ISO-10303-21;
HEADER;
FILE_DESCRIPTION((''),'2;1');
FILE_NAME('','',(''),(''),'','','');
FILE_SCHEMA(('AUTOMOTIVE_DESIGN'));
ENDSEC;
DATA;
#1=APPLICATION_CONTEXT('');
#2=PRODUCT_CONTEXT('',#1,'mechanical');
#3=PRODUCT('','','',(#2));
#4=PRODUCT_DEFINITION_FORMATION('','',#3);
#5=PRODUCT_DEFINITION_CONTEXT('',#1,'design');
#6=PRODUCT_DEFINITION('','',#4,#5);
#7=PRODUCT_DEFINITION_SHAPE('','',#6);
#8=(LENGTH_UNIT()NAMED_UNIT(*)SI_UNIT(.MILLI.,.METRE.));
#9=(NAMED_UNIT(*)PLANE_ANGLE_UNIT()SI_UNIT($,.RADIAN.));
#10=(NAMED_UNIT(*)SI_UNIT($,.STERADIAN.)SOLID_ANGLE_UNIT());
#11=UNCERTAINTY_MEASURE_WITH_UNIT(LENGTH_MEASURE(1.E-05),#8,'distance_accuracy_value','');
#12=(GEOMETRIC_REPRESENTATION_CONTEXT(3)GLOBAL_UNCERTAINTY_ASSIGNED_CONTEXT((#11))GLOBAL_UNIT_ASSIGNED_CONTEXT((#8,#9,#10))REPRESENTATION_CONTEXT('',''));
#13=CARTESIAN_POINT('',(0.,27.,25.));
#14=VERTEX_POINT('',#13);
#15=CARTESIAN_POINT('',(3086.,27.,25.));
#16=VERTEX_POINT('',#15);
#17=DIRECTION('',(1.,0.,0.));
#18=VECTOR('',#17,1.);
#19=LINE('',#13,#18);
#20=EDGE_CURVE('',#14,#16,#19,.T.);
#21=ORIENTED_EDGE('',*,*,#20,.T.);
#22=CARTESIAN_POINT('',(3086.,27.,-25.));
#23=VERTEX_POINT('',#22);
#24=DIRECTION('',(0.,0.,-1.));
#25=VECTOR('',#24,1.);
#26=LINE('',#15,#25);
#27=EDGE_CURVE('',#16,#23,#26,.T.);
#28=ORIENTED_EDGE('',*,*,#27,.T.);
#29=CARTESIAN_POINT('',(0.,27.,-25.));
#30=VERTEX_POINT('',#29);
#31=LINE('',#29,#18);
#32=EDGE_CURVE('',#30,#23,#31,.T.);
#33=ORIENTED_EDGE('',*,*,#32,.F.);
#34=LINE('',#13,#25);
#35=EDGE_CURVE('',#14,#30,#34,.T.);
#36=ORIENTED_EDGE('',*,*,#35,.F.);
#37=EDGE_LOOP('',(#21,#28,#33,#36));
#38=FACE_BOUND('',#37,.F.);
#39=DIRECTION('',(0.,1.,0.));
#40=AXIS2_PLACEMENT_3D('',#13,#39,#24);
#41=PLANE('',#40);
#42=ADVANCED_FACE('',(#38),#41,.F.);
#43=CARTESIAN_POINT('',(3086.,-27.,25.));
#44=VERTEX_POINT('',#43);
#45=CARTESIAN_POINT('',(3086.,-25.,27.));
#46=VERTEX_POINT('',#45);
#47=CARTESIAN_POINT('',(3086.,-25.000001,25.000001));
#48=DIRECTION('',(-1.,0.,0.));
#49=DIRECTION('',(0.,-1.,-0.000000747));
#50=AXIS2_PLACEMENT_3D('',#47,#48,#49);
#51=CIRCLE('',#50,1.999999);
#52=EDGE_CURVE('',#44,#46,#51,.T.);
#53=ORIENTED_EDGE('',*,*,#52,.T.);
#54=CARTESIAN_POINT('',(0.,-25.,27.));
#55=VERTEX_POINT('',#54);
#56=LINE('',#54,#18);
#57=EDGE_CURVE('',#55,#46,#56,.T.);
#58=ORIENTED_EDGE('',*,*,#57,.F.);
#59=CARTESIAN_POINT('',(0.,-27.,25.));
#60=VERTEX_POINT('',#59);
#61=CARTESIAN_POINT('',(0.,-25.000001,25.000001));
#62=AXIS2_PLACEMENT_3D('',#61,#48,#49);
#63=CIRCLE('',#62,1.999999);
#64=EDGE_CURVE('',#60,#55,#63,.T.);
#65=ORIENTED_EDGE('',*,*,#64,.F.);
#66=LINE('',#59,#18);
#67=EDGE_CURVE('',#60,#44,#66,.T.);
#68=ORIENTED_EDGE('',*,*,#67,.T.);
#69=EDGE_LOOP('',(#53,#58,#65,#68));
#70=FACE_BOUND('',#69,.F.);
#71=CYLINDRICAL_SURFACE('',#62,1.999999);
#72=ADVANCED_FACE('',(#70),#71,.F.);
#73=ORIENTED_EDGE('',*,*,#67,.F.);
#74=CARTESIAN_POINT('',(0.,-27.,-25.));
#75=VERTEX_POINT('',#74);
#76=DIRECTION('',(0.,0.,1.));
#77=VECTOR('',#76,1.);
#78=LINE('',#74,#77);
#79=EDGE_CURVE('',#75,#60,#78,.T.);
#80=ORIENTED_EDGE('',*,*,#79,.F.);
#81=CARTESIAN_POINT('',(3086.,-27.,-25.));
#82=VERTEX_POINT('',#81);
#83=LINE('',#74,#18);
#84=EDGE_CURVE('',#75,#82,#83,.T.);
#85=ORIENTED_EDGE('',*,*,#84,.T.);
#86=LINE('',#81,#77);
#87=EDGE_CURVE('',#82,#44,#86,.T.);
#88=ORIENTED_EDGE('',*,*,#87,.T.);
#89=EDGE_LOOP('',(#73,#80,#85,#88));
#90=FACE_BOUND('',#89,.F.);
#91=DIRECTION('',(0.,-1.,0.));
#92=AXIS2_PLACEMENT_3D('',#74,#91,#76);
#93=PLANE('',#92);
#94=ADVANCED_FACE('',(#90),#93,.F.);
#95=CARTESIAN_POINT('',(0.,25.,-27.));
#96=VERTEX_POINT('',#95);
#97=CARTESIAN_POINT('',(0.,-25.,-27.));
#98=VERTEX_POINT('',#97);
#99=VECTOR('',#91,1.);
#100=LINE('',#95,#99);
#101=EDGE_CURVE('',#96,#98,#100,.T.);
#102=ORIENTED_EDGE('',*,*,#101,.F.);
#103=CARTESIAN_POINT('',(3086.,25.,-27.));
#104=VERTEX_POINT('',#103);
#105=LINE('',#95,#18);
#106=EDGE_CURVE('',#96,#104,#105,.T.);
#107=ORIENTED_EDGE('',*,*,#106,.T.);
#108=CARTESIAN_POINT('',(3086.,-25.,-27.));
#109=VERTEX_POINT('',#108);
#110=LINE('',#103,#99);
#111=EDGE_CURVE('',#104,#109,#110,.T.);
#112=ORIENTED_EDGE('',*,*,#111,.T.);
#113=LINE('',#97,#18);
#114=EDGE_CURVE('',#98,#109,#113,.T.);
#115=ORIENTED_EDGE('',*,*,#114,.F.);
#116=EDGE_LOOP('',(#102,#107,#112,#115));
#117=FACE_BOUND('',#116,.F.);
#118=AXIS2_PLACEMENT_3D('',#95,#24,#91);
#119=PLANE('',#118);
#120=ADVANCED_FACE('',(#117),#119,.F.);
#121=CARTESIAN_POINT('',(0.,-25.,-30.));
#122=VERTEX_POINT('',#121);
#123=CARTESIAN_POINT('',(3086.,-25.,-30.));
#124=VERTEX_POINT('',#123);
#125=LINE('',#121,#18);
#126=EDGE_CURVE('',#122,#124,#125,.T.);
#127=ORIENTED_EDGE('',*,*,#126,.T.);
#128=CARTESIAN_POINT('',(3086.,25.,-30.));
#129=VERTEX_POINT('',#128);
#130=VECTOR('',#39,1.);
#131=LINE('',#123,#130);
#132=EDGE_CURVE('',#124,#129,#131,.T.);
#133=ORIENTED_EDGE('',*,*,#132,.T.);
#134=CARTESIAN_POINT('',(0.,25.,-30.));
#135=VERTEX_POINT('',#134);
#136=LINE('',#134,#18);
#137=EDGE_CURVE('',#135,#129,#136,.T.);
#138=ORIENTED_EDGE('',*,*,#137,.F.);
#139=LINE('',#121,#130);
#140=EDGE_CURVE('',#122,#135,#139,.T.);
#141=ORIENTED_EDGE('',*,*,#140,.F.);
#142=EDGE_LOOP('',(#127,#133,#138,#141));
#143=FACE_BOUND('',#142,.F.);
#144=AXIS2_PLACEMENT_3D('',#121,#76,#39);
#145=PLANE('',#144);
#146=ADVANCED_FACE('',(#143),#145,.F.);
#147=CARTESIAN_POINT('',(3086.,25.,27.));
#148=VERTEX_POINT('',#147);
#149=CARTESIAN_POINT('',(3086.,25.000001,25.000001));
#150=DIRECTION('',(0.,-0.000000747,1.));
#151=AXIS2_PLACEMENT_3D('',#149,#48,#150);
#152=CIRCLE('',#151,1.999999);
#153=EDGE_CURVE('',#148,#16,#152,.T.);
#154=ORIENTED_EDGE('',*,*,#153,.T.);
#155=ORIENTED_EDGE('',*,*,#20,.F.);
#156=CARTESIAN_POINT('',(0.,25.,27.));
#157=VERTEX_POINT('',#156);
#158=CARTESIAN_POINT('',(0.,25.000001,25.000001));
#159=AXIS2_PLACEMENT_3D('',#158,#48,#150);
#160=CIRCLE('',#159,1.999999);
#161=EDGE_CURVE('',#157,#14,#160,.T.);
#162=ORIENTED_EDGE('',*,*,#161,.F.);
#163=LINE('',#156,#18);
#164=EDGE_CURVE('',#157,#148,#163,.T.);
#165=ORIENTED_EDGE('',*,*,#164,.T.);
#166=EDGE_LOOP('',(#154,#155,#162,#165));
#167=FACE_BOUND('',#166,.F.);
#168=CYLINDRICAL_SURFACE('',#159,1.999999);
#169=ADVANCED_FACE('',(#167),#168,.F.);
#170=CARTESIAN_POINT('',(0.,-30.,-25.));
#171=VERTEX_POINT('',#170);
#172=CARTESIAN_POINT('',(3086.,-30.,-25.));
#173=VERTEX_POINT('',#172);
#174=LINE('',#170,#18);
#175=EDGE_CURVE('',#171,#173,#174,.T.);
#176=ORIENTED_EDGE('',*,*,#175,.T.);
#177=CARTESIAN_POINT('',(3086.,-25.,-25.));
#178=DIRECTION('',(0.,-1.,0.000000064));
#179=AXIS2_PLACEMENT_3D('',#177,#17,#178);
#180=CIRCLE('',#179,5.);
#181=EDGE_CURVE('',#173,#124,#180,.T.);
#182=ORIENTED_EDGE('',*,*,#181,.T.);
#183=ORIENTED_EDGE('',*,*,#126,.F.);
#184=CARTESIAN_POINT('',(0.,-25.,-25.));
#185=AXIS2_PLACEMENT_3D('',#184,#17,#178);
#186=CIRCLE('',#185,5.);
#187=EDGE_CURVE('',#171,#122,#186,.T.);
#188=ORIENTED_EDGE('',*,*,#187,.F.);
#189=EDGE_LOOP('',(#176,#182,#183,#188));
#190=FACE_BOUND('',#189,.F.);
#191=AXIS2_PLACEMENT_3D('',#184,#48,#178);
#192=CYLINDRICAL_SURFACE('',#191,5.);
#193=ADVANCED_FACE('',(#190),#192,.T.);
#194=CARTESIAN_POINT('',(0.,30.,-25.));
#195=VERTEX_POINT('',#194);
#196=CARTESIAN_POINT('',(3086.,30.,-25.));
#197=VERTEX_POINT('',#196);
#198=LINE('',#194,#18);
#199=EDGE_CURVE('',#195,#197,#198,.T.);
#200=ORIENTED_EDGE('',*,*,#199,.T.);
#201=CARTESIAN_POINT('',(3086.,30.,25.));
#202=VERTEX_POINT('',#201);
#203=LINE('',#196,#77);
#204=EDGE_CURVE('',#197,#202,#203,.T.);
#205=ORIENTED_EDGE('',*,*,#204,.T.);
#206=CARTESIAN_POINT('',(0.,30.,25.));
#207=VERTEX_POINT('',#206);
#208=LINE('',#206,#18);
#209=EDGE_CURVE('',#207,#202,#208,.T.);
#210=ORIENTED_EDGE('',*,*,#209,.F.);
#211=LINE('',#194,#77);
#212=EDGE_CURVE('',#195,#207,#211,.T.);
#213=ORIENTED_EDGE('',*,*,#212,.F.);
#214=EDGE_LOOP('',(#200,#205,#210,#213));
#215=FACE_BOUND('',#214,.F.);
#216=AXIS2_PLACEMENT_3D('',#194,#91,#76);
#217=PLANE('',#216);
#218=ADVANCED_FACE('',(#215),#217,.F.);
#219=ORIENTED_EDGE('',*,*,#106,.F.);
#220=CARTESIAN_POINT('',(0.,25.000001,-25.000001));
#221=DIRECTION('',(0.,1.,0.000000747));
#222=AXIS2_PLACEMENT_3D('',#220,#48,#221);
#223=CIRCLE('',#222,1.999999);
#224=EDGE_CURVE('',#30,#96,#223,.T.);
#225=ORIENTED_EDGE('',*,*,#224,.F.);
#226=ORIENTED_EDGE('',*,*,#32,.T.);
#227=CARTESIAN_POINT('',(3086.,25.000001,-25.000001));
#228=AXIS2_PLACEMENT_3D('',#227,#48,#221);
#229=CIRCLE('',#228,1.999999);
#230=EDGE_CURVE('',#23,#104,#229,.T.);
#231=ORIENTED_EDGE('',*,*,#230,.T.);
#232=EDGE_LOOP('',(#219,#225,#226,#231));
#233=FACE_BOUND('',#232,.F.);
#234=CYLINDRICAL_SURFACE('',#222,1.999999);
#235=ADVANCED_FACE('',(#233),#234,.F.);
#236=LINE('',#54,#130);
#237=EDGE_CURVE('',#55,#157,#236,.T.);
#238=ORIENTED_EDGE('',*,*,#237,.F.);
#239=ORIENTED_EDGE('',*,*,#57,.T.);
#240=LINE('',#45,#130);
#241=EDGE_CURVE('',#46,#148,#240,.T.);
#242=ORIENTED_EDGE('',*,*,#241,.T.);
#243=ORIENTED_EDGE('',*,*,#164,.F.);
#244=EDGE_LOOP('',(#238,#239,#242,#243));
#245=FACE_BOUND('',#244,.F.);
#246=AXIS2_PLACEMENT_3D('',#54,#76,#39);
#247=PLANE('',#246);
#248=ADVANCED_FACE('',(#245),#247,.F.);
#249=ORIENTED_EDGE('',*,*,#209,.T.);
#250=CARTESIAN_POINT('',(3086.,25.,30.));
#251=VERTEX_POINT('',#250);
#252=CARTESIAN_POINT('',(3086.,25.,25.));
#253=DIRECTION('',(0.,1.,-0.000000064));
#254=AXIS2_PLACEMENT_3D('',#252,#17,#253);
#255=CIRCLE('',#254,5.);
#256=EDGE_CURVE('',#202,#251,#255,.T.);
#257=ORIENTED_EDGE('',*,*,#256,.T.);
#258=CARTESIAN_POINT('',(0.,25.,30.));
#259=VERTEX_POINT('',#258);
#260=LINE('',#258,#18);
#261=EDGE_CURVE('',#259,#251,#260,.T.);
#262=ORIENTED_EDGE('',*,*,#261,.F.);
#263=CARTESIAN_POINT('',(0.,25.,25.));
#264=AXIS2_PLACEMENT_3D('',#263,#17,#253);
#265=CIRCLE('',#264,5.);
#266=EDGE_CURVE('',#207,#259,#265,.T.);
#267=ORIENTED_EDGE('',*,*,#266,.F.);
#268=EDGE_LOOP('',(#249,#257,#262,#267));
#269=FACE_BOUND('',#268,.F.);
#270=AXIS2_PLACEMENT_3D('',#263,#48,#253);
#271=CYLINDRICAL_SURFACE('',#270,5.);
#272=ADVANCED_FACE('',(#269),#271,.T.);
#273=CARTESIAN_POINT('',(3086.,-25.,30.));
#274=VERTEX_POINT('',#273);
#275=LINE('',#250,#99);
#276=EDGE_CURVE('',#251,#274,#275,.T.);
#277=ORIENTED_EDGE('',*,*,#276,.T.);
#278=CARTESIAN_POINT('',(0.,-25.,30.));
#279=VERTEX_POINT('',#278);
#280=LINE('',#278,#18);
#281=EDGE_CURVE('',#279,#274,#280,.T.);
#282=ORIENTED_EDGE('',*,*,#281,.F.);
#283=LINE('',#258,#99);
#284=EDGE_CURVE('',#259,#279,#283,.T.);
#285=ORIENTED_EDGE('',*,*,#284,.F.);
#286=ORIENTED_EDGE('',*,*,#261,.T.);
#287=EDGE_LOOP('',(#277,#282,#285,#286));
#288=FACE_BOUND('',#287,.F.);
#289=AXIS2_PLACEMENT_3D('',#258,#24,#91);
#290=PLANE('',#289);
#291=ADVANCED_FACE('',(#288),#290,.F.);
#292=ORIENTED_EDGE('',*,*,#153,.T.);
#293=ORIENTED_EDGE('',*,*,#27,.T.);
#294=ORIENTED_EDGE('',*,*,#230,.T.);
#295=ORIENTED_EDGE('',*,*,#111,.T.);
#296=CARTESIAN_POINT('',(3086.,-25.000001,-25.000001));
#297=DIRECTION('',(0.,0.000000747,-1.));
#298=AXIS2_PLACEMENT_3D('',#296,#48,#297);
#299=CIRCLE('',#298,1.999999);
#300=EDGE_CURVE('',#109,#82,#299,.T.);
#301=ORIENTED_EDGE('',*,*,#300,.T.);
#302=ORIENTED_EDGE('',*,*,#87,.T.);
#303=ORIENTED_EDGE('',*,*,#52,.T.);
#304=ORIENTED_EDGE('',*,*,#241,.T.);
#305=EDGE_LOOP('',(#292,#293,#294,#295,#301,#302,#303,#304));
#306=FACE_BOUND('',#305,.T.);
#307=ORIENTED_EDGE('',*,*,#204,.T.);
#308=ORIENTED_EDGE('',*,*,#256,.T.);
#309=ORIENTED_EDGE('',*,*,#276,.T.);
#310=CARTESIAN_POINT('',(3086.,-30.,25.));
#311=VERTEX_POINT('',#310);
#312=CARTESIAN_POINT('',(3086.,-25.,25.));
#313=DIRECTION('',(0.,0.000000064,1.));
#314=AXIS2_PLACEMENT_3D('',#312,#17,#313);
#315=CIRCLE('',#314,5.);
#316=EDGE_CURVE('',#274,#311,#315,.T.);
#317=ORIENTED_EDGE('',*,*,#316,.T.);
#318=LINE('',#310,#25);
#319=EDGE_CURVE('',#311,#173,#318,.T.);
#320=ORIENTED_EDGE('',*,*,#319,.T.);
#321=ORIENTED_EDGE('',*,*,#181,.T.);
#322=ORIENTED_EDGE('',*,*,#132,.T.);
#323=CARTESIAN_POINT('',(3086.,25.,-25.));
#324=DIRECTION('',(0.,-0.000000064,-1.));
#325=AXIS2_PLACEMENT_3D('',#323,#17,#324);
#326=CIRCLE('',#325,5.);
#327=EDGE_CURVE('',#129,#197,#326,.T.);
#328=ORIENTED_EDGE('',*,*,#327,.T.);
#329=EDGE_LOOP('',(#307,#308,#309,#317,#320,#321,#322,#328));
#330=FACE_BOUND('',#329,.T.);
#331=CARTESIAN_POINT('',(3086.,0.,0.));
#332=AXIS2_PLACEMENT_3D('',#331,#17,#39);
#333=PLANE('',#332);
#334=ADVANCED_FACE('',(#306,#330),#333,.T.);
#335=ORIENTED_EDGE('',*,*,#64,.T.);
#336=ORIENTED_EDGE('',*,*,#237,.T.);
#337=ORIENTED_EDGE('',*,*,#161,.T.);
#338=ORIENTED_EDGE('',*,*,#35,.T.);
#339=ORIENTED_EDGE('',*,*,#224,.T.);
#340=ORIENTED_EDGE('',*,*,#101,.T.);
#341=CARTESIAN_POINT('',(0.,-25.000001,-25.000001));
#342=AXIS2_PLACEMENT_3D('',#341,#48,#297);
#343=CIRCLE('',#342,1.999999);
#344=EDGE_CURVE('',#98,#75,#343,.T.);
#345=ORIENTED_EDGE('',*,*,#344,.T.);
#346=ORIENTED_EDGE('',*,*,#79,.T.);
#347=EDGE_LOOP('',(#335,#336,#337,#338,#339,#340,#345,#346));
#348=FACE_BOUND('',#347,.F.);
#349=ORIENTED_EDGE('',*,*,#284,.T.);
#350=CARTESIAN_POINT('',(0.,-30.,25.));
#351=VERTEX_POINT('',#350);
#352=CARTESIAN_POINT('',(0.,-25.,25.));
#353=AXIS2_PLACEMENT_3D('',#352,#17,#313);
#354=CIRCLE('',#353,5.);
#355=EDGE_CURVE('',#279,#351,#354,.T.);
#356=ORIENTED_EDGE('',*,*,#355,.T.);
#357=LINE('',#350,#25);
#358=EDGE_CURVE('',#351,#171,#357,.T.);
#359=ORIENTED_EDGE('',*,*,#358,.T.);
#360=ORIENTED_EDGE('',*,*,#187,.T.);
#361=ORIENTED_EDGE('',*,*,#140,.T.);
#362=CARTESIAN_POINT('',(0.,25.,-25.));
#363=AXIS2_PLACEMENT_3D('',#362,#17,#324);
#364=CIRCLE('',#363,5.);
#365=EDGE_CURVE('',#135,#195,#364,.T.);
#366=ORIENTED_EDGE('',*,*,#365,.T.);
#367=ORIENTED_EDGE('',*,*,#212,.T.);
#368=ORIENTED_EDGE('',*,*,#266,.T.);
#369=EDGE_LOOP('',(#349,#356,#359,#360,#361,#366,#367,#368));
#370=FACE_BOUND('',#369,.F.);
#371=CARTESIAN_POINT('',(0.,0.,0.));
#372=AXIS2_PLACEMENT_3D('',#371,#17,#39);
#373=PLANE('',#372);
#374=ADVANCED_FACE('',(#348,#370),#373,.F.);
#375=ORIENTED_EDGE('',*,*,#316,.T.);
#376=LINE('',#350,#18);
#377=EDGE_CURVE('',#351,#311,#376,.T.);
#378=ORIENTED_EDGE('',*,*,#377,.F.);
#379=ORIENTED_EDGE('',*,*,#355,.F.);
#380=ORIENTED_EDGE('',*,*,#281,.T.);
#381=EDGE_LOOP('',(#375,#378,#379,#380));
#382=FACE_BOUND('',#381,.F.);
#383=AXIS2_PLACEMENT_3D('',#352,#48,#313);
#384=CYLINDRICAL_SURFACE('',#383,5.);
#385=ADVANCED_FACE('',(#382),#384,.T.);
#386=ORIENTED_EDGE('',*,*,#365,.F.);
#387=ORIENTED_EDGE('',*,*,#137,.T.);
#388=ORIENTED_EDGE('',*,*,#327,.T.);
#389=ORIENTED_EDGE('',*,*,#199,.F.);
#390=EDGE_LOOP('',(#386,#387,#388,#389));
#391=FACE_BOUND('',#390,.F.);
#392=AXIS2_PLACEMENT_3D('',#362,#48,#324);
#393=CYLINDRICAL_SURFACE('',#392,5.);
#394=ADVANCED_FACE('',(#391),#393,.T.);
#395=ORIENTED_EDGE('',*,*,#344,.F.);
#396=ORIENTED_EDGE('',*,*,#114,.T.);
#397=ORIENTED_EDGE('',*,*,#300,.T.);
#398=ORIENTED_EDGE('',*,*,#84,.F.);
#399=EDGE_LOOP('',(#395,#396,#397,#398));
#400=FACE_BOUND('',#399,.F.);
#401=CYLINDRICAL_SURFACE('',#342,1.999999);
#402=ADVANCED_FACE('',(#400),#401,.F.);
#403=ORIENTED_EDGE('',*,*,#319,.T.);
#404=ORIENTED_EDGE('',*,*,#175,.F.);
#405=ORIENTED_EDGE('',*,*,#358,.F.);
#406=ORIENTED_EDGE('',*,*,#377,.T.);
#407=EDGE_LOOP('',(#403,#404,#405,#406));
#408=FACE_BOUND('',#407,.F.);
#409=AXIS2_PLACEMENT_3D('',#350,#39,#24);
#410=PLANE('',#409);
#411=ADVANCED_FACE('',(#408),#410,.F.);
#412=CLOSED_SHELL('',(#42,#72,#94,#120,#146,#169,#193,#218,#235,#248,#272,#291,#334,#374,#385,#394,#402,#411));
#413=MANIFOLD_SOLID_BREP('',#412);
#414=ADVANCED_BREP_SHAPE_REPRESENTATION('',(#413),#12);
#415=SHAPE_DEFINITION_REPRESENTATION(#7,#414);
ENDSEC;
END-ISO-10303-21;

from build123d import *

# Parameters (mm, degrees)
F1_DEPTH = 3086


with BuildPart() as f1:
    # F0 (on Right) → F1 (new body)
    with BuildSketch(Plane.YZ):
        with BuildLine():
            Line((-25, -30), (25, -30))
            ThreePointArc((25, -30), (28.535534, -28.535534), (30, -25))
            Line((30, -25), (30, 25))
            ThreePointArc((30, 25), (28.535534, 28.535534), (25, 30))
            Line((25, 30), (-25, 30))
            ThreePointArc((-25, 30), (-28.535534, 28.535534), (-30, 25))
            Line((-30, 25), (-30, -25))
            ThreePointArc((-30, -25), (-28.535534, -28.535534), (-25, -30))
        make_face()
        with BuildLine():
            Line((-25, 27), (25, 27))
            ThreePointArc((25, 27), (26.414214, 26.414214), (27, 25))
            Line((27, 25), (27, -25))
            ThreePointArc((27, -25), (26.414214, -26.414214), (25, -27))
            Line((25, -27), (-25, -27))
            ThreePointArc((-25, -27), (-26.414214, -26.414214), (-27, -25))
            Line((-27, -25), (-27, 25))
            ThreePointArc((-27, 25), (-26.414214, 26.414214), (-25, 27))
        make_face(mode=Mode.SUBTRACT)
    extrude(amount=F1_DEPTH)


solid = f1.part
